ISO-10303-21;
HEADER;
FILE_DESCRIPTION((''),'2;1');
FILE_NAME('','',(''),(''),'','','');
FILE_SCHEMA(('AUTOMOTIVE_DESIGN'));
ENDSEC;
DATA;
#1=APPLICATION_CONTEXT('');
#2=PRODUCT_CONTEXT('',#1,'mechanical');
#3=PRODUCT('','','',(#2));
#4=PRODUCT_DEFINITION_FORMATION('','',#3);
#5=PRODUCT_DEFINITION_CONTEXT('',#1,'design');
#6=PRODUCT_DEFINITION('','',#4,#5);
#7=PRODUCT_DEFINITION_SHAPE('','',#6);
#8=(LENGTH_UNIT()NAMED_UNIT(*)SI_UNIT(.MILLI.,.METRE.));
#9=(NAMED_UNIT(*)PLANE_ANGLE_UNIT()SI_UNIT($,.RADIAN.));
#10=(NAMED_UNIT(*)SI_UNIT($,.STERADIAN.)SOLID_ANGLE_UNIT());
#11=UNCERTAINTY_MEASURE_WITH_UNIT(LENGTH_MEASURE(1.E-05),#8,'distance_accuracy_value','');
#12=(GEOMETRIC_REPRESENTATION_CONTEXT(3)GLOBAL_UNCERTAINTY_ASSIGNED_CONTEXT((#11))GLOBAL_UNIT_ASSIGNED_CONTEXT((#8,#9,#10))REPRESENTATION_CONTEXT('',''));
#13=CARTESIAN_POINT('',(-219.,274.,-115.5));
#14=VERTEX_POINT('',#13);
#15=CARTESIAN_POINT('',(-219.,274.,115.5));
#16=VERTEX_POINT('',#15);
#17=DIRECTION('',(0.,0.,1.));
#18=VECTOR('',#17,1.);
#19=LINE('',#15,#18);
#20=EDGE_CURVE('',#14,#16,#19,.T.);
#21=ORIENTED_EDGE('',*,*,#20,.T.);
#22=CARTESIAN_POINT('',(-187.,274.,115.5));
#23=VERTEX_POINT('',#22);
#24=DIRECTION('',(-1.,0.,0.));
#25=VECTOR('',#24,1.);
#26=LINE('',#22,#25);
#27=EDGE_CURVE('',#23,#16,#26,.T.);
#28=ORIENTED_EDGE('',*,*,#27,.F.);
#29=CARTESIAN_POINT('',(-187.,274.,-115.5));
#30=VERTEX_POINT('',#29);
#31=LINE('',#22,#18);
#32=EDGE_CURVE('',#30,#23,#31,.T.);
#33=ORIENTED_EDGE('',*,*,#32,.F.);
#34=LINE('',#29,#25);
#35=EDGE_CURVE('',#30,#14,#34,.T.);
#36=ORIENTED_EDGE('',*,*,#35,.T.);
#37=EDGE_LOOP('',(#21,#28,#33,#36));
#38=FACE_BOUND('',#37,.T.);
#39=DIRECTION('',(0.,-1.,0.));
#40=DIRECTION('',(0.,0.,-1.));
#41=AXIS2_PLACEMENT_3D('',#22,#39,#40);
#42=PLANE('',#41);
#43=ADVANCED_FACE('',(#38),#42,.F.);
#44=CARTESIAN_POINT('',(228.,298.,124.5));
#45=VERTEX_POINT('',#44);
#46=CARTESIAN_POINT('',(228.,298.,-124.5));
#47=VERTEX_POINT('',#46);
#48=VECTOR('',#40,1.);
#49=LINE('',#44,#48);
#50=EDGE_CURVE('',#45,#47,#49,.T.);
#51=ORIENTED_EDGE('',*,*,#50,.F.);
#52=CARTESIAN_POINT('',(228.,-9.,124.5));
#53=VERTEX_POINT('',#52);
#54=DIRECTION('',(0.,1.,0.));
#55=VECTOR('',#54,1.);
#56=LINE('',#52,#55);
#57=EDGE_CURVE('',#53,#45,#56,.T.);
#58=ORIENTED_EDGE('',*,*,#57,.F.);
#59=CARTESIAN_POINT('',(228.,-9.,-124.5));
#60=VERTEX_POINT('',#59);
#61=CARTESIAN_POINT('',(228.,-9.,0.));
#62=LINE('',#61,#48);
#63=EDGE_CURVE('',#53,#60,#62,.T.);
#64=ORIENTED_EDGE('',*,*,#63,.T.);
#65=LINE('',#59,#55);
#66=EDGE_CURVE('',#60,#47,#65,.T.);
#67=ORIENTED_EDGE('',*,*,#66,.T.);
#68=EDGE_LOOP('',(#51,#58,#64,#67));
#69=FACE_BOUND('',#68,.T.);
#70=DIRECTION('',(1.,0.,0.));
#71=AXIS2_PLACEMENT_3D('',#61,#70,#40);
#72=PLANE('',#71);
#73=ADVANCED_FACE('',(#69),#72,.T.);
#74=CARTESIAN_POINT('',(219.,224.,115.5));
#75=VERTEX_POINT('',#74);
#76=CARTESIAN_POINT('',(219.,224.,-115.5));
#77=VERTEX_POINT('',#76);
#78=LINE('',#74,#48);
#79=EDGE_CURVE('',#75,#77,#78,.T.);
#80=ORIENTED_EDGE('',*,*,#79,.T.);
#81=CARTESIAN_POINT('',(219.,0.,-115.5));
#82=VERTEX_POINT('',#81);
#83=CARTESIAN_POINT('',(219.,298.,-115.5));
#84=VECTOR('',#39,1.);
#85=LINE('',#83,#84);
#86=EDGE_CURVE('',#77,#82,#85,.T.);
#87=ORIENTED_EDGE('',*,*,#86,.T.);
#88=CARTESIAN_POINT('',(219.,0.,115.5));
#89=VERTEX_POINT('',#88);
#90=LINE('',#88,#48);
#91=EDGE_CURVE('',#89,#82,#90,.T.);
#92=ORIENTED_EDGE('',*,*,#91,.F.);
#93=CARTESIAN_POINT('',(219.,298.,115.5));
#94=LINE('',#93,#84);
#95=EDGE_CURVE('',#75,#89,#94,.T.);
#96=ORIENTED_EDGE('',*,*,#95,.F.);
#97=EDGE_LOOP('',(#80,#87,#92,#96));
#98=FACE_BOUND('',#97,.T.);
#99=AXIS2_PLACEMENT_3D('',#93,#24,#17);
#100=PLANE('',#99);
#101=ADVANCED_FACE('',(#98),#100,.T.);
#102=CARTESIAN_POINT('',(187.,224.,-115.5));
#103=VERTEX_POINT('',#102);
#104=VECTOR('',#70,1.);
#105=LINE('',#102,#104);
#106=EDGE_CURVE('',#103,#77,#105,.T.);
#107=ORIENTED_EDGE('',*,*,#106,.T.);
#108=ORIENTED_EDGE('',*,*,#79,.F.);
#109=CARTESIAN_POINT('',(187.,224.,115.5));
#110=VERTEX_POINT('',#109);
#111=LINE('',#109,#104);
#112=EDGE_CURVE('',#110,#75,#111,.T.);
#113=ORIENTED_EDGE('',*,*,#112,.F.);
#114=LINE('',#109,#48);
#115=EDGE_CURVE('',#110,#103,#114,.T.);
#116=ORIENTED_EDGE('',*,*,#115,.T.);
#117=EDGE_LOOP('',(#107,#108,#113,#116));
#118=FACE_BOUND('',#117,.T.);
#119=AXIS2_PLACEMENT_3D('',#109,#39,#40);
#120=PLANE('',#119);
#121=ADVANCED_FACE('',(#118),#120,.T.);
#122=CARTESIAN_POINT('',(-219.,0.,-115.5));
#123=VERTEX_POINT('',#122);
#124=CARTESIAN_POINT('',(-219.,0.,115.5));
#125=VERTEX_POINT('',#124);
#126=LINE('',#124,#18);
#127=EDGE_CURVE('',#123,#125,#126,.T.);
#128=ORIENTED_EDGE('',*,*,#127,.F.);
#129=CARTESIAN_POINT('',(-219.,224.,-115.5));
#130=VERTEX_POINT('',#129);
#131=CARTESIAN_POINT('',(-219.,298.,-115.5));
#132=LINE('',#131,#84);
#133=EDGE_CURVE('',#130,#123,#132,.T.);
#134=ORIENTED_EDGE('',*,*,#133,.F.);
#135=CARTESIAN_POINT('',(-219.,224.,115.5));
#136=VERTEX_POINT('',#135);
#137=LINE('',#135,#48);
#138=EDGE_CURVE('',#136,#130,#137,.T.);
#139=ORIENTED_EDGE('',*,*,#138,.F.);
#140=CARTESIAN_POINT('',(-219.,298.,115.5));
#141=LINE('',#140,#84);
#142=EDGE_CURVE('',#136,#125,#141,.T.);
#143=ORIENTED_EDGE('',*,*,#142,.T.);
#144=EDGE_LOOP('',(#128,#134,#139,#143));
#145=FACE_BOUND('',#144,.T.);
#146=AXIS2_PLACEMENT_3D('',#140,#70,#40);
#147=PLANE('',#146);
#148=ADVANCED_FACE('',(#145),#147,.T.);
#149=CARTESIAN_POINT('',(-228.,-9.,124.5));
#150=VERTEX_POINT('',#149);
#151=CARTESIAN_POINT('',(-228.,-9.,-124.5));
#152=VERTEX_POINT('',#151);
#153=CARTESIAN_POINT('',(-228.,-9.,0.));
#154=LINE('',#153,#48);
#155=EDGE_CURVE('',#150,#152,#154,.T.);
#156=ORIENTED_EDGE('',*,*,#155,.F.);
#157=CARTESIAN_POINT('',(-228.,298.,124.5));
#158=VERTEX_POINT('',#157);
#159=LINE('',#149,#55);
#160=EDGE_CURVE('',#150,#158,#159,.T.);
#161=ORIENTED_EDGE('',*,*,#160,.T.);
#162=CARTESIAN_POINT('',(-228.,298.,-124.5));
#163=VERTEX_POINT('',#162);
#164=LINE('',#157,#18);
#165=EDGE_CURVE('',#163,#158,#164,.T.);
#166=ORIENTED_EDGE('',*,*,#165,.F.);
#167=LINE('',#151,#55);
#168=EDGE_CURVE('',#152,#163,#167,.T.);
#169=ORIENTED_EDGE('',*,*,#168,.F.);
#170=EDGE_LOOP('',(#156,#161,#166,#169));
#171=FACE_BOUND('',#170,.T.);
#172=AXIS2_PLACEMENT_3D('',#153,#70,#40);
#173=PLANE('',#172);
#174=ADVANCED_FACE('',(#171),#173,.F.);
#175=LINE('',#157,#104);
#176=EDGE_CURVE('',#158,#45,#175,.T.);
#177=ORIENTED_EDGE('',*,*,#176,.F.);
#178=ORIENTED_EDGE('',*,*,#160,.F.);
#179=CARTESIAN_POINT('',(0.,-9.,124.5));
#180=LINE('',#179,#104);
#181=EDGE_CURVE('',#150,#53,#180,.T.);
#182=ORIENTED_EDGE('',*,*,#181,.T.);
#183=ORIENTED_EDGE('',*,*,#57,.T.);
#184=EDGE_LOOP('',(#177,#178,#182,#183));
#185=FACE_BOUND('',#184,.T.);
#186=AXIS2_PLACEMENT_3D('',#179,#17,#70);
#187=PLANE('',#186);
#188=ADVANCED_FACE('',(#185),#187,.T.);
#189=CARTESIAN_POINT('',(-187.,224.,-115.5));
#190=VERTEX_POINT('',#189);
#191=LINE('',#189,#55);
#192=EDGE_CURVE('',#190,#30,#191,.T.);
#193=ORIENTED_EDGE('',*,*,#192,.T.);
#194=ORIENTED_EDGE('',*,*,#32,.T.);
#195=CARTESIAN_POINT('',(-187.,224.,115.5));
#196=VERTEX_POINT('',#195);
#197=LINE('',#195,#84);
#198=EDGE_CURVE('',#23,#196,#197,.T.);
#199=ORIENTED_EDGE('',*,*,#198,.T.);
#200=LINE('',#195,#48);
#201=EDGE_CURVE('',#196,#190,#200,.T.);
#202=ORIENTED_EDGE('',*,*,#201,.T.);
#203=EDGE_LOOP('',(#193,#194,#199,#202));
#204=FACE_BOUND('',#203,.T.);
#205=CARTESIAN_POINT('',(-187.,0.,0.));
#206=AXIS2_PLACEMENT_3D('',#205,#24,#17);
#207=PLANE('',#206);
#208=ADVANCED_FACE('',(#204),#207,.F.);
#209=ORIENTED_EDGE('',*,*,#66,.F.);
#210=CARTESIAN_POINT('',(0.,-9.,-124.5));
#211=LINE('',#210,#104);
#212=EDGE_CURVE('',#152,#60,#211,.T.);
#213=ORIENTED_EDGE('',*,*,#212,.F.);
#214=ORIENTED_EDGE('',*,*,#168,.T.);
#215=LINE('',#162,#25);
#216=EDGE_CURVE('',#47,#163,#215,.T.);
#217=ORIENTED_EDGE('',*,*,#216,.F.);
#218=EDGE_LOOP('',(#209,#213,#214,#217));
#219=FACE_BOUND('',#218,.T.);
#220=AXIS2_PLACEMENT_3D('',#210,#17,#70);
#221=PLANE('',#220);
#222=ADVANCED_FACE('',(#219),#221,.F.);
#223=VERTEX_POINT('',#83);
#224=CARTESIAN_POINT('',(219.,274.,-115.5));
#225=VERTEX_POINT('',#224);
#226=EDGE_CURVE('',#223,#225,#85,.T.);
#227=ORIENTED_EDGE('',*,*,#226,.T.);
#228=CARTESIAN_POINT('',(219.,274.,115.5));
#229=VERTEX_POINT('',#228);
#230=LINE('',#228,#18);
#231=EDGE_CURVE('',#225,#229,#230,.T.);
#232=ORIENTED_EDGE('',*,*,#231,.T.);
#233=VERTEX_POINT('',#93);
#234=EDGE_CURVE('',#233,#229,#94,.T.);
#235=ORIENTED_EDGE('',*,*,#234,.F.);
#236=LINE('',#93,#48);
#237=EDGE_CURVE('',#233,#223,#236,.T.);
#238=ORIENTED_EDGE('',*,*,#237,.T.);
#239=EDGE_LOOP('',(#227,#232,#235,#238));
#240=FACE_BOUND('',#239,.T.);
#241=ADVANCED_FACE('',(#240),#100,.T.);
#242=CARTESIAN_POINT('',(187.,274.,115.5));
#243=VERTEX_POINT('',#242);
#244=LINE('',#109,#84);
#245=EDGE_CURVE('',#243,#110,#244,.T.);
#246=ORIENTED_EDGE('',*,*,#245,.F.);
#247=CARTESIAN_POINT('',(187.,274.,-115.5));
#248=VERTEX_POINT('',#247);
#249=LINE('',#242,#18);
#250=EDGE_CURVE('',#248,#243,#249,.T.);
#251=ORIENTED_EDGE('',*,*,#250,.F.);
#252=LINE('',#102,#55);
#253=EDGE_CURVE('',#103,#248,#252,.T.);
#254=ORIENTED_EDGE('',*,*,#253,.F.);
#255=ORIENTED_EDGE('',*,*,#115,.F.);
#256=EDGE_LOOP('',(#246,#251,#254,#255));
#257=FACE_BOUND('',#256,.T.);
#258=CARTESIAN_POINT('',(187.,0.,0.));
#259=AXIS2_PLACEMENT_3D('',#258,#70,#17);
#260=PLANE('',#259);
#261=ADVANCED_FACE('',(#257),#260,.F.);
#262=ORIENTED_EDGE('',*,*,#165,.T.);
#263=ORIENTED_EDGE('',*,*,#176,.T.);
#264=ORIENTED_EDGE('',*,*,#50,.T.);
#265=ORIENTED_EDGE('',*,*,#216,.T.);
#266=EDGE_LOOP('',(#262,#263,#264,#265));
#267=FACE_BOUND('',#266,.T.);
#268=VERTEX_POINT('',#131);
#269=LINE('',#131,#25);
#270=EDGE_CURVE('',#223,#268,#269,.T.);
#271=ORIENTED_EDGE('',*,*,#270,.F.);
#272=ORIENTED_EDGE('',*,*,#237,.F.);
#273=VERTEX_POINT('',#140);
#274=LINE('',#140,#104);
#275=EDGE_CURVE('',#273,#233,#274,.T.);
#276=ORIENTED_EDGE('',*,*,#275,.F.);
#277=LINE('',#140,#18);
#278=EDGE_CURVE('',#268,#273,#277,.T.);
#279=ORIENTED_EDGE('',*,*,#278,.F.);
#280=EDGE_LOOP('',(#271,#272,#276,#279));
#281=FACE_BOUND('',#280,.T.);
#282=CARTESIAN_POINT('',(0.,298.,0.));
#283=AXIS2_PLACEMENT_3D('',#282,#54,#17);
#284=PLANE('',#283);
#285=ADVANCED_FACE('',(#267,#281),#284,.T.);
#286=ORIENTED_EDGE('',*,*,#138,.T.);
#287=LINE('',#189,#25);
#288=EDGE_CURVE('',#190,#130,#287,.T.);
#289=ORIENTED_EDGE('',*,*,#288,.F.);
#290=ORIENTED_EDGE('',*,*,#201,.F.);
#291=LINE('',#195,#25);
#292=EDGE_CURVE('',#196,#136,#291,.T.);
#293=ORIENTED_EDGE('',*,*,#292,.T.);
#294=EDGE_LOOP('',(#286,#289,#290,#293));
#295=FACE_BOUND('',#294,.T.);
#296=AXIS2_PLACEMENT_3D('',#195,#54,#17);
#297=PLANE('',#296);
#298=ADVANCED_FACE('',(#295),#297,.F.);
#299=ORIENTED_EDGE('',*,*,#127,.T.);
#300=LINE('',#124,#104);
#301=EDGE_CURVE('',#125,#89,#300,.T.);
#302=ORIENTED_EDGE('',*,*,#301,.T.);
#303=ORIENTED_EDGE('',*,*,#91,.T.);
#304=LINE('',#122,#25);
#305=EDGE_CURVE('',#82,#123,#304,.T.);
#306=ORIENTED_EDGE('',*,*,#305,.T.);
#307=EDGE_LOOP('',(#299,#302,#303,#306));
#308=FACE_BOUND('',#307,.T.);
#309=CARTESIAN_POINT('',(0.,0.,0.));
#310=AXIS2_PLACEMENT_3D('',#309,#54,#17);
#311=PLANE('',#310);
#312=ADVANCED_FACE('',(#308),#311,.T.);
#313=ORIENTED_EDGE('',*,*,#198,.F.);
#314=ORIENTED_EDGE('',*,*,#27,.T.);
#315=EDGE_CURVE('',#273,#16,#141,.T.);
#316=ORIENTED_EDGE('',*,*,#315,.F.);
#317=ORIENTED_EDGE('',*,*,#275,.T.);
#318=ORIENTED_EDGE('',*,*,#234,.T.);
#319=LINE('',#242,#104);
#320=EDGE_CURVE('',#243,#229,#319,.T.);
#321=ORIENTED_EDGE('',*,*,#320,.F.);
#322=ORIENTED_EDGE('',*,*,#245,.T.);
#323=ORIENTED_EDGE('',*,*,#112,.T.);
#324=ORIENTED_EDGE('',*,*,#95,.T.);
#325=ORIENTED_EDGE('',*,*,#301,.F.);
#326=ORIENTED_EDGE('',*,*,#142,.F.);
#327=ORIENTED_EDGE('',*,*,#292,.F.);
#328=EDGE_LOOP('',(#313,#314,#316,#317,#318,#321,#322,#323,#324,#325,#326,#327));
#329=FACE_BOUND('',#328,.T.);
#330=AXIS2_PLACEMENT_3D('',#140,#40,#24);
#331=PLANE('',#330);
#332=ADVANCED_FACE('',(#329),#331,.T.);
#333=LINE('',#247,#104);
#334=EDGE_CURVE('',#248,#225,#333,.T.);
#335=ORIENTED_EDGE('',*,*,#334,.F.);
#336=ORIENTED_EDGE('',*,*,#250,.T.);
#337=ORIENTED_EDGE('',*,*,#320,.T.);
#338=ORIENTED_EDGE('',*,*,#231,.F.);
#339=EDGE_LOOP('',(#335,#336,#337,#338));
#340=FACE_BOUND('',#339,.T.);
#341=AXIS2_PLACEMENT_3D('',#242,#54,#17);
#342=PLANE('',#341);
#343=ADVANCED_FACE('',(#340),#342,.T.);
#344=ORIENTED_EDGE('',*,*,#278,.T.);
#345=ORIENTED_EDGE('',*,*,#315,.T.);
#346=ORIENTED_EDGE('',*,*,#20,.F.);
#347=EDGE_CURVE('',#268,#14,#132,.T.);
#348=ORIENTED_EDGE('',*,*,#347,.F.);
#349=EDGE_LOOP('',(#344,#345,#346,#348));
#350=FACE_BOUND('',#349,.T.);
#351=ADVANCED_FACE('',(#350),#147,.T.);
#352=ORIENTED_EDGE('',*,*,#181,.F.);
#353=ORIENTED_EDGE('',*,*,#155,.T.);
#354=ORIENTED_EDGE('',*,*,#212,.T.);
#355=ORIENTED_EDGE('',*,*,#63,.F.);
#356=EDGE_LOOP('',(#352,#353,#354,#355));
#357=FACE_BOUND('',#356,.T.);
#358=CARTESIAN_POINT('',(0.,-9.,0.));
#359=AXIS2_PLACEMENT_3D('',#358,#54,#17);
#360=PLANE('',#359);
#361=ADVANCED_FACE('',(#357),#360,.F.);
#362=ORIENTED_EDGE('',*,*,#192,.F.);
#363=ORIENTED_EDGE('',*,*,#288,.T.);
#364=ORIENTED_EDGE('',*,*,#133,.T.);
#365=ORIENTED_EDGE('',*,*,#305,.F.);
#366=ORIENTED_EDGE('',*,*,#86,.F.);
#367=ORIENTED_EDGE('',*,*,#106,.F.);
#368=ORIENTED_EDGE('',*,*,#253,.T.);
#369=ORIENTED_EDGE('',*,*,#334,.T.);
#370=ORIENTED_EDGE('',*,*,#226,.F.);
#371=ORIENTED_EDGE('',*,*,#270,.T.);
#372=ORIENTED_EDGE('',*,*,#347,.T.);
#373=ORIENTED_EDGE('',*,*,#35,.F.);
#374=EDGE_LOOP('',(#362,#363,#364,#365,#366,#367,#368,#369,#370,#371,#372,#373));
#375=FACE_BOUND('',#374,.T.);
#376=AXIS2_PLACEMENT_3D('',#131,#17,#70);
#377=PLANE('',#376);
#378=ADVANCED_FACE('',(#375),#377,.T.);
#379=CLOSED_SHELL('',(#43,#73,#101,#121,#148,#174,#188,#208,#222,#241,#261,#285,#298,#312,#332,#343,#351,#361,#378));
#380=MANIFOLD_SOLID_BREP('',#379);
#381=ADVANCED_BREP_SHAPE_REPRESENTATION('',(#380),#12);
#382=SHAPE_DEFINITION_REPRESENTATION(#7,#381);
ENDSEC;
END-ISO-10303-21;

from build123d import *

# Parameters (mm, degrees)
SKETCH1_W           = 456
SKETCH1_H           = 249
SKETCH1_W_2         = 438
SKETCH1_H_2         = 231
BOSS_EXTRUDE1_DEPTH = 9
SKETCH1_3_W         = 456
SKETCH1_3_H         = 249
SKETCH1_3_W_2       = 438
SKETCH1_3_H_2       = 231
BOSS_EXTRUDE2_DEPTH = 298
SKETCH3_W           = 231
SKETCH3_H           = 50
BOSS_EXTRUDE3_DEPTH = 32


with BuildPart() as part:
    # Sketch1 → Boss-Extrude1 (new body)
    with BuildSketch(Plane(origin=(0, 0, 0), x_dir=(1, 0, 0), z_dir=(0, 1, 0))):
        Rectangle(SKETCH1_W, SKETCH1_H)
        Rectangle(SKETCH1_W_2, SKETCH1_H_2, mode=Mode.SUBTRACT)
        Rectangle(SKETCH1_W_2, SKETCH1_H_2)
    extrude(amount=-BOSS_EXTRUDE1_DEPTH)

    # Sketch1<3> → Boss-Extrude2 (add)
    with BuildSketch(Plane(origin=(0, 0, 0), x_dir=(1, 0, 0), z_dir=(0, 1, 0))):
        Rectangle(SKETCH1_3_W, SKETCH1_3_H)
        Rectangle(SKETCH1_3_W_2, SKETCH1_3_H_2, mode=Mode.SUBTRACT)
    extrude(amount=BOSS_EXTRUDE2_DEPTH)

    # Sketch3 → Boss-Extrude3 (add)
    with BuildSketch(Plane(origin=(-219, 0, 0), x_dir=(0, 0, -1), z_dir=(1, 0, 0))):
        with Locations((0, 249)):
            Rectangle(SKETCH3_W, SKETCH3_H)
    boss_extrude3 = extrude(amount=BOSS_EXTRUDE3_DEPTH)

    # Mirror1: Boss-Extrude3 across plane
    add(boss_extrude3.mirror(Plane(origin=(0, 0, 0), x_dir=(0, 0, 1), z_dir=(1, 0, 0))))


solid = part.part
